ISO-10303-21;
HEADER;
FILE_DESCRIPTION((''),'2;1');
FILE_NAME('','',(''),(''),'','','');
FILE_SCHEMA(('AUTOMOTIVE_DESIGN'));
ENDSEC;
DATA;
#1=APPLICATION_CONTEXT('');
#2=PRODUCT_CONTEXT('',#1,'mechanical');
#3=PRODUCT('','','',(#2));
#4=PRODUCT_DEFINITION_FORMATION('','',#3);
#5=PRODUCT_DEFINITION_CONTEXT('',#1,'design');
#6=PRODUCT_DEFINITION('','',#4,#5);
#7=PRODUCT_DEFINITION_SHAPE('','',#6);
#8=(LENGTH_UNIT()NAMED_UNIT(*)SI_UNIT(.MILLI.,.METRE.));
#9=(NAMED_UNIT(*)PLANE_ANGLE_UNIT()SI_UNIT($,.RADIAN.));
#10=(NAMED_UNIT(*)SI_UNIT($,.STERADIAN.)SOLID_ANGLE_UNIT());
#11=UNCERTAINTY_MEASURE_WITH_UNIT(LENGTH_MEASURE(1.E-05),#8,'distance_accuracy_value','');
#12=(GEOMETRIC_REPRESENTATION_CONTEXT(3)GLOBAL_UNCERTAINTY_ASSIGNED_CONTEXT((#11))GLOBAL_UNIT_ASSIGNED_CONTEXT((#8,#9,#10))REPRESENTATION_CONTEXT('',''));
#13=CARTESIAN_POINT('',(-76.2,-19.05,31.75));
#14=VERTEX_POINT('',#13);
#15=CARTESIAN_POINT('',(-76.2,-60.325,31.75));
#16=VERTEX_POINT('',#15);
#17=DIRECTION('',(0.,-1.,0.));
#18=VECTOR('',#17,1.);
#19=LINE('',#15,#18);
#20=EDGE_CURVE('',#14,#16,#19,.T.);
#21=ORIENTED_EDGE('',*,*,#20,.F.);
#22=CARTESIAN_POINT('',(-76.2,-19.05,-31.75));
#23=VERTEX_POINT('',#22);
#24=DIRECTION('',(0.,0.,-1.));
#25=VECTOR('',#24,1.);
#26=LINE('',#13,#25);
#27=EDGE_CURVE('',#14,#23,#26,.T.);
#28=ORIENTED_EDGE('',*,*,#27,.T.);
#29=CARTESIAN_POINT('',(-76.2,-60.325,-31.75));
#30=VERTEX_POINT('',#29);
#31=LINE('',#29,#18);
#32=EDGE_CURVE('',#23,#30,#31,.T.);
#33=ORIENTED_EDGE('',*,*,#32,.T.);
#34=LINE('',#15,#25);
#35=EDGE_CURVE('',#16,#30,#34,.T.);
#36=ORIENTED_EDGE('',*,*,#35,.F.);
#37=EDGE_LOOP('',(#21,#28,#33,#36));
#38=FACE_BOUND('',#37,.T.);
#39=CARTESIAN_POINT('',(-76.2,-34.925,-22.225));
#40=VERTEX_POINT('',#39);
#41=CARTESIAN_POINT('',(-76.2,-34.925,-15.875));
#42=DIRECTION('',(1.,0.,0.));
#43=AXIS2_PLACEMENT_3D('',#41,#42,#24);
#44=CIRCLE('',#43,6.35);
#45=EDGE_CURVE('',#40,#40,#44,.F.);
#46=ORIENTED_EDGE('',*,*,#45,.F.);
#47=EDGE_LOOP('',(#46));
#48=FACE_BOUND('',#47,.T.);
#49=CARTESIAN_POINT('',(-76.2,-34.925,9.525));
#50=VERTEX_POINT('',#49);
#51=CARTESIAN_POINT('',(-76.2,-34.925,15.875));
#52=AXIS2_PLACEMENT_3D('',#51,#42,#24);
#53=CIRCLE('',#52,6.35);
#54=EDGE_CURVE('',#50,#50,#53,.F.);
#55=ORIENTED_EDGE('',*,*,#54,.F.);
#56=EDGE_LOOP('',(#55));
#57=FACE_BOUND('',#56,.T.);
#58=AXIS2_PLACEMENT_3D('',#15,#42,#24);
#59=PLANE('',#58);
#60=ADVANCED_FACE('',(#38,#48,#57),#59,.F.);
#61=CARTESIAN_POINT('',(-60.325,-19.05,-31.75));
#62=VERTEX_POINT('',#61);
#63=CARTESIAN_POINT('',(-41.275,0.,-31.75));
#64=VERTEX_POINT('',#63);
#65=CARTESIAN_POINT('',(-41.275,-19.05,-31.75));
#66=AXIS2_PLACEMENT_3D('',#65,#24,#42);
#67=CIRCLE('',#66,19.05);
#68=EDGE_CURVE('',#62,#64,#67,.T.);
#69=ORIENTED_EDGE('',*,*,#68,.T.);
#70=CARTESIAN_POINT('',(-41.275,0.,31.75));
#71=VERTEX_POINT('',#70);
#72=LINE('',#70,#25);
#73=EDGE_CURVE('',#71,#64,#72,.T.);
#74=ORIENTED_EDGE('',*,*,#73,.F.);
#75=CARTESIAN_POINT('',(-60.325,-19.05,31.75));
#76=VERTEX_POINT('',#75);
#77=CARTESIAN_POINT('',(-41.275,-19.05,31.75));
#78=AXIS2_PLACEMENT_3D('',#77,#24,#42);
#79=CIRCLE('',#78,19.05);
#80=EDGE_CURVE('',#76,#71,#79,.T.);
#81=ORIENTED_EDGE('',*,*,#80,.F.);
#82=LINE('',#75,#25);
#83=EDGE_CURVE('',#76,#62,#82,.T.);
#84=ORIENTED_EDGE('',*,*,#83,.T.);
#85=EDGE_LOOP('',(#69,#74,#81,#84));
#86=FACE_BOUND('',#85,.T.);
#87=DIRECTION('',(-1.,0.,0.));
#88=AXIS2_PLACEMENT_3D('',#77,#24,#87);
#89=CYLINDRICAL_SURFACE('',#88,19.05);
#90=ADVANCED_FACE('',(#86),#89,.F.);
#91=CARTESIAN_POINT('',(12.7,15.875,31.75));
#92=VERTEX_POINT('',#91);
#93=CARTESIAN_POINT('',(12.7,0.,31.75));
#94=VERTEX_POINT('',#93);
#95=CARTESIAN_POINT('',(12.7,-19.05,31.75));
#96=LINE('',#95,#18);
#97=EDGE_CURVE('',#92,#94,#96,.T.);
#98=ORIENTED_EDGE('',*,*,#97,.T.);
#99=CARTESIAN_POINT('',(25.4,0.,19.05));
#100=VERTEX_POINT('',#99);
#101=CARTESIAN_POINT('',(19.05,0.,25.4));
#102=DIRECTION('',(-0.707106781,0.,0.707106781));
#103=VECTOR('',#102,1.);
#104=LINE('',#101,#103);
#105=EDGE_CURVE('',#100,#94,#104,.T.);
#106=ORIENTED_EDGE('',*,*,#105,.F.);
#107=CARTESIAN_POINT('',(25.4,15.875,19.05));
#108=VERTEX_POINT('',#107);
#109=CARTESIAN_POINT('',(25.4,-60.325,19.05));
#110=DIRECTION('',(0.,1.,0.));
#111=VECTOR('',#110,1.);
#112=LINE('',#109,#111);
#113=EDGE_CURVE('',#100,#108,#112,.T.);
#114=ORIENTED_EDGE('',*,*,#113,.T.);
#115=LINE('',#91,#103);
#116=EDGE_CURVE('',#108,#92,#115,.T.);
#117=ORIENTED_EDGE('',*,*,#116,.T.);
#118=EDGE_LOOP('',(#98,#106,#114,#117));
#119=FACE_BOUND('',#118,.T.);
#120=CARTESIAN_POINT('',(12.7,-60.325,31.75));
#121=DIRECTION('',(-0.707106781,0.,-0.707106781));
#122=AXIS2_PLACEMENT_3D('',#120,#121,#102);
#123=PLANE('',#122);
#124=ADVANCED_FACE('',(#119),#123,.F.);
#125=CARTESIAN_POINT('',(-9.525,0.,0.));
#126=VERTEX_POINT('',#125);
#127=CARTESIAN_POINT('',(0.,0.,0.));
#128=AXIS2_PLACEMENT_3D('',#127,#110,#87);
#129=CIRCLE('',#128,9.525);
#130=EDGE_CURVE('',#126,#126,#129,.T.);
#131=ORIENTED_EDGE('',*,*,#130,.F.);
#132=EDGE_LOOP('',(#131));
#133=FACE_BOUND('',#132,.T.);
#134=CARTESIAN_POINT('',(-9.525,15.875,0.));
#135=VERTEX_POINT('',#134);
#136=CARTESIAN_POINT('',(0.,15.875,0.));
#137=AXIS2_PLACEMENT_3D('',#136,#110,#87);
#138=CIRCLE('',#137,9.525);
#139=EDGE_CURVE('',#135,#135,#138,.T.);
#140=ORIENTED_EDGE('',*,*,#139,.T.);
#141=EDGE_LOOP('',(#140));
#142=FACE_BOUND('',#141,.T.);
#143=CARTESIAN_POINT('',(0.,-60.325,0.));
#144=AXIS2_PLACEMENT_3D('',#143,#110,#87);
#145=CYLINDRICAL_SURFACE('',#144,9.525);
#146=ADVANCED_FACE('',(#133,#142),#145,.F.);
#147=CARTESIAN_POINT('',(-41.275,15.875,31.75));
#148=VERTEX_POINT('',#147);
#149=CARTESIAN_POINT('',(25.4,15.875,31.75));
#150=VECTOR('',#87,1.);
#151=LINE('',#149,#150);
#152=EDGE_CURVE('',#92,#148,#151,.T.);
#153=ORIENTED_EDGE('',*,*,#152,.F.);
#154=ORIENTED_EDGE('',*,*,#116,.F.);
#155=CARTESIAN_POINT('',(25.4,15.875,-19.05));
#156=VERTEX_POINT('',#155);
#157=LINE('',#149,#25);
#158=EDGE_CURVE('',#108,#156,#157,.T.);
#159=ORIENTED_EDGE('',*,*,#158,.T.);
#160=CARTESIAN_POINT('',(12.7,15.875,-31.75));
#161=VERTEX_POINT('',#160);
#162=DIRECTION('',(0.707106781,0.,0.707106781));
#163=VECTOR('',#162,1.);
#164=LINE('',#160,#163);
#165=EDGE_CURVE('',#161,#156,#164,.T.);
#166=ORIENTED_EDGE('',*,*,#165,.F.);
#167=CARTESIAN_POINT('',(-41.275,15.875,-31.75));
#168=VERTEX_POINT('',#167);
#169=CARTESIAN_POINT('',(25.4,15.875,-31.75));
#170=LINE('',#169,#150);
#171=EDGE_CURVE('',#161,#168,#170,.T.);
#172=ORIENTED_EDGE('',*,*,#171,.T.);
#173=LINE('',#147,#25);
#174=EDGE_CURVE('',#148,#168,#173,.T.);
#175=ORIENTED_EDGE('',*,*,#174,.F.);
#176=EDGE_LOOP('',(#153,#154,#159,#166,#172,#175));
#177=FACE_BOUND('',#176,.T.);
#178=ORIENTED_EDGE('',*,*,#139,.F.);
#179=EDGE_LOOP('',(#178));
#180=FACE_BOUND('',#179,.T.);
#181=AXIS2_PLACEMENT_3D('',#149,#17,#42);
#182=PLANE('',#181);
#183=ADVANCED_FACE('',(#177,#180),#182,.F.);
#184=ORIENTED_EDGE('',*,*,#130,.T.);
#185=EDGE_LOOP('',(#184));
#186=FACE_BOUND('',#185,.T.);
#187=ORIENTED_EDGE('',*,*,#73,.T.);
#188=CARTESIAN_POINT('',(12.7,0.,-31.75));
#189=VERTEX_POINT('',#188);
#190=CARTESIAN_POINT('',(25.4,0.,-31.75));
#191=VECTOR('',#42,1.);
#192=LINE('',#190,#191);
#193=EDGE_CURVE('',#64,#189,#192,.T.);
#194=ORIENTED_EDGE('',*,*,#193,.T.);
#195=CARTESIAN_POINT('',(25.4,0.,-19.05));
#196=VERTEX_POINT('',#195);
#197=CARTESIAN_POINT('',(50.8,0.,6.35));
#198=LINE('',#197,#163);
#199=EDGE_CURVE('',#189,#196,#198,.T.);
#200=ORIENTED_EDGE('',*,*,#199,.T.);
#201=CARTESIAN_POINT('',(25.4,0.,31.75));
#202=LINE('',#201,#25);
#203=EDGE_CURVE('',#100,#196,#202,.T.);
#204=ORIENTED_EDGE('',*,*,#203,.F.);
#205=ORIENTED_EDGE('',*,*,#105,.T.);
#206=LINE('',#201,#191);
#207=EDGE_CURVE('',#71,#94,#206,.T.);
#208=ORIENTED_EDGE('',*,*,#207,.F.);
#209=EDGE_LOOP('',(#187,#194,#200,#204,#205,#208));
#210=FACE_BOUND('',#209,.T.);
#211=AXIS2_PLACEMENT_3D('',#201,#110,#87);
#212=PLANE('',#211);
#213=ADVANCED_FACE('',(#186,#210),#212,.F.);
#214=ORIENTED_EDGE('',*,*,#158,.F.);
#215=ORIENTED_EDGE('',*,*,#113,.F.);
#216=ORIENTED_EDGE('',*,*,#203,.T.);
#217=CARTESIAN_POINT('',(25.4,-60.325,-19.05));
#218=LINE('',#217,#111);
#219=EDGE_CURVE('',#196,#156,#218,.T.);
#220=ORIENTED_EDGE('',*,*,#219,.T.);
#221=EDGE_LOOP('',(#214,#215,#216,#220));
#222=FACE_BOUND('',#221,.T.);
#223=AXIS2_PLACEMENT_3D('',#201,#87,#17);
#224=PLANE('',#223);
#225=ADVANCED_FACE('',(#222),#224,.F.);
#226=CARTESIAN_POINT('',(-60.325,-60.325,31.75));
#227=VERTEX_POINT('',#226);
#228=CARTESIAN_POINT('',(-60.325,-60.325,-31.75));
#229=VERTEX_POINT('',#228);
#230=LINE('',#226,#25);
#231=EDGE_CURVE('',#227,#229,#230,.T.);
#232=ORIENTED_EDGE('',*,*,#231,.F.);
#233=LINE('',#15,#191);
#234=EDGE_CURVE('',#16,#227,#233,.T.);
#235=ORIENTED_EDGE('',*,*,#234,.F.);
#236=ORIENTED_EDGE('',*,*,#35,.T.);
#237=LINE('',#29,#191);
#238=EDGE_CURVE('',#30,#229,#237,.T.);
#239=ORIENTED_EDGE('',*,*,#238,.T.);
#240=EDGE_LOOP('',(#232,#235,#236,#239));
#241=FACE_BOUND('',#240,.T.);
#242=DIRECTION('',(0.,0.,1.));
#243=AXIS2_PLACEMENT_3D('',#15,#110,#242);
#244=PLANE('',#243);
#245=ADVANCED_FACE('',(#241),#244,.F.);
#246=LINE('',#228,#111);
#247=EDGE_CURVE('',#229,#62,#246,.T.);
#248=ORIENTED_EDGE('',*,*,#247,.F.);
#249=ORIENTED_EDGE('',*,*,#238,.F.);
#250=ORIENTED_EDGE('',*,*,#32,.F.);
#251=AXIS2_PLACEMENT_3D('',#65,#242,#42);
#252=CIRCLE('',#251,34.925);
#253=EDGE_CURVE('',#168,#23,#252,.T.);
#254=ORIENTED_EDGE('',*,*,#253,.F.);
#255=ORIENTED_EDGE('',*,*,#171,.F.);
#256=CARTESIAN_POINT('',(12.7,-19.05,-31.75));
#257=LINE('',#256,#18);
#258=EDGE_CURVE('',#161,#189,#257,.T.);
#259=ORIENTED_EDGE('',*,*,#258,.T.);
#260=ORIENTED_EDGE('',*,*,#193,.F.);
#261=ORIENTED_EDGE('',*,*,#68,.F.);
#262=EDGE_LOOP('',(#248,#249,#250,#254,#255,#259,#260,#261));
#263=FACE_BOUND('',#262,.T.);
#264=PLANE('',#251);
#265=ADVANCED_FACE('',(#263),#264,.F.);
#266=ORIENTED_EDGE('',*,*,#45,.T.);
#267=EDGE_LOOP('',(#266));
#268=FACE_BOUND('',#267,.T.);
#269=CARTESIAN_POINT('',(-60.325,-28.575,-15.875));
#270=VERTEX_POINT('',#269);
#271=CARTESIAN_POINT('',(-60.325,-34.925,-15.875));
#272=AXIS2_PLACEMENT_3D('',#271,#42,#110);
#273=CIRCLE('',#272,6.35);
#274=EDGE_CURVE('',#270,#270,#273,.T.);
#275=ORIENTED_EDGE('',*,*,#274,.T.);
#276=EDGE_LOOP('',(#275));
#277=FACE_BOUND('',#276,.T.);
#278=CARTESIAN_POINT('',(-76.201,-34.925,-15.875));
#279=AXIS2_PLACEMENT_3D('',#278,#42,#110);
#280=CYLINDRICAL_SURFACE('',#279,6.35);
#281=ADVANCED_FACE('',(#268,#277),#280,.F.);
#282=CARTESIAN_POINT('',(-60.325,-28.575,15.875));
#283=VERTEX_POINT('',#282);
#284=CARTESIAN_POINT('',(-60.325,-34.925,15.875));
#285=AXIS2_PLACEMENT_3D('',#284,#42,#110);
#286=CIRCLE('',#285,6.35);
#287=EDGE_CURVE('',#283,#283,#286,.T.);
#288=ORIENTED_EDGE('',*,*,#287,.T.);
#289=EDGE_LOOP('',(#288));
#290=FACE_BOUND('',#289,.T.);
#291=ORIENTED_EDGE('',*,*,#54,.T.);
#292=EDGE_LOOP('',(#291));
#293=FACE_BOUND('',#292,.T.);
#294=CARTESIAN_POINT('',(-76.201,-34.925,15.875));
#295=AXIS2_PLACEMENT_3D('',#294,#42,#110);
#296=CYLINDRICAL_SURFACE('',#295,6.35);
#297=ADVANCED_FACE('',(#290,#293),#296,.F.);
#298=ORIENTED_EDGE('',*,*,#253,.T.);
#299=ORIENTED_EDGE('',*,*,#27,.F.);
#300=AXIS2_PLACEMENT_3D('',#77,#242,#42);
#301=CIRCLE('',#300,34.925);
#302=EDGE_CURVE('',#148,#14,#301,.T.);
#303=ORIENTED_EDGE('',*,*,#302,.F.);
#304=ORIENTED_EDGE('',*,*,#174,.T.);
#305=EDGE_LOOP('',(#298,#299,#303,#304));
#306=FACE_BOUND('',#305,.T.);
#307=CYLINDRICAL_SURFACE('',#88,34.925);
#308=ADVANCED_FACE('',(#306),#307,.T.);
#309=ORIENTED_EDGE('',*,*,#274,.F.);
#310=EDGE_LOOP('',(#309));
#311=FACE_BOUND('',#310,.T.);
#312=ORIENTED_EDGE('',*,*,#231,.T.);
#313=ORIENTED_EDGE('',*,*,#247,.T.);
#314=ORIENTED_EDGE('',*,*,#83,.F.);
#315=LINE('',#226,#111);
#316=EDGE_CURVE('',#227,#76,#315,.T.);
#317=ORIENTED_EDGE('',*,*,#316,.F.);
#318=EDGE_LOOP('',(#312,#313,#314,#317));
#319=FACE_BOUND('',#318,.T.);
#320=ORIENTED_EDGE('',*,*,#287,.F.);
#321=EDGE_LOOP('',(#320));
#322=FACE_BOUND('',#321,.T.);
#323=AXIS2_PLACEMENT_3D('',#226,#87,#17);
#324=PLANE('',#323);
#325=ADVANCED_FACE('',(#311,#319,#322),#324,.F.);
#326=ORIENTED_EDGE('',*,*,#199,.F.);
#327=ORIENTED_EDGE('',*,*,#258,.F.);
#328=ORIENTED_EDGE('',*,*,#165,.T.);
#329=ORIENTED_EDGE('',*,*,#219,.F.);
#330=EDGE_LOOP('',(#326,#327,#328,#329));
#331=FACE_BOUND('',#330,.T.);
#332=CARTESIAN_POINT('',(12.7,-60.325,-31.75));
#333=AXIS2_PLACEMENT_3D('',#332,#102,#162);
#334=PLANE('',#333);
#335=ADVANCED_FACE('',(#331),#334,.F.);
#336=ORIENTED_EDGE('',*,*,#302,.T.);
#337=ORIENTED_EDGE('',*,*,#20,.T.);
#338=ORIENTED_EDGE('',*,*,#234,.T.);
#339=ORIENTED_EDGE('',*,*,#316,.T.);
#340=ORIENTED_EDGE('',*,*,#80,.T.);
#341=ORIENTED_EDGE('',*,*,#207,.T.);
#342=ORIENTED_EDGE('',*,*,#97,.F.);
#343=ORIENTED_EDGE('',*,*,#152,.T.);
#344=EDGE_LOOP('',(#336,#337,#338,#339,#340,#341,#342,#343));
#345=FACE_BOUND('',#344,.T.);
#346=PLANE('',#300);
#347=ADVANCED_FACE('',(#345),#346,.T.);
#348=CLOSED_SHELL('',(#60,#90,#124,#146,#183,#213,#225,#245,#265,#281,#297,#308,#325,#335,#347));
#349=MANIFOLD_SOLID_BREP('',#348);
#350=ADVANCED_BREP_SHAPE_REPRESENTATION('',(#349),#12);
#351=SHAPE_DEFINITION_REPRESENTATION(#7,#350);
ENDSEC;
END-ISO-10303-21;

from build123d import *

# Parameters (mm, degrees)
HITCH_PROFILE_FOR_EXTRUSION_DEPTH = 31.75
SKETCH2_R                         = 9.525
BALL_ANCHOR_HOLE_DEPTH            = 77.2
F_45_DEG_CORNERS_DEPTH            = 77.2
BOLT_HOLE_X_2_REACH               = 17.875
SKETCH4_R                         = 6.35


with BuildPart() as part:
    # Sketch1 → Hitch Profile for Extrusion (new body, symmetric)
    with BuildSketch(Plane.XY):
        with BuildLine():
            Line((-76.2, -60.325), (-76.2, -19.05))
            ThreePointArc((-76.2, -19.05), (-65.970704333, 5.645704333), (-41.275, 15.875))
            Line((-41.275, 15.875), (25.4, 15.875))
            Line((25.4, 15.875), (25.4, 0))
            Line((25.4, 0), (-41.275, 0))
            ThreePointArc((-41.275, 0), (-54.745384182, -5.579615818), (-60.325, -19.05))
            Line((-60.325, -19.05), (-60.325, -60.325))
            Line((-60.325, -60.325), (-76.2, -60.325))
        make_face()
    extrude(amount=HITCH_PROFILE_FOR_EXTRUSION_DEPTH, both=True)

    # Sketch2 → Ball Anchor hole (cut, through all)
    with BuildSketch(Plane(origin=(0, 15.875, 0), x_dir=(1, 0, 0), z_dir=(0, 1, 0))):
        Circle(SKETCH2_R)
    extrude(amount=-BALL_ANCHOR_HOLE_DEPTH, mode=Mode.SUBTRACT)

    # Sketch3 → 45 Deg Corners (cut, through all)
    with BuildSketch(Plane(origin=(0, 15.875, 0), x_dir=(1, 0, 0), z_dir=(0, 1, 0))):
        Polygon((12.7, 31.75), (25.4, 19.05), (25.4, 31.75), align=None)
        Polygon((12.7, -31.75), (25.4, -19.05), (25.4, -31.75), align=None)
    extrude(amount=-F_45_DEG_CORNERS_DEPTH, mode=Mode.SUBTRACT)

    # Sketch4 → Bolt Hole x 2 (cut, up to next)
    with BuildSketch(Plane(origin=(-60.325, 0, 0), x_dir=(0, 0, -1), z_dir=(1, 0, 0)), mode=Mode.PRIVATE) as bolt_hole_x_2_sk1:
        with Locations((-15.875, -34.925)):
            Circle(SKETCH4_R)
    bolt_hole_x_2_tool1 = extrude(bolt_hole_x_2_sk1.sketch, amount=-BOLT_HOLE_X_2_REACH, mode=Mode.PRIVATE) & part.part
    add(bolt_hole_x_2_tool1.solids().sort_by_distance((-60.325, -34.925, 15.875))[0], mode=Mode.SUBTRACT)
    # Sketch4 → Bolt Hole x 2 (cut, up to next)
    with BuildSketch(Plane(origin=(-60.325, 0, 0), x_dir=(0, 0, -1), z_dir=(1, 0, 0)), mode=Mode.PRIVATE) as bolt_hole_x_2_sk2:
        with Locations((15.875, -34.925)):
            Circle(SKETCH4_R)
    bolt_hole_x_2_tool2 = extrude(bolt_hole_x_2_sk2.sketch, amount=-BOLT_HOLE_X_2_REACH, mode=Mode.PRIVATE) & part.part
    add(bolt_hole_x_2_tool2.solids().sort_by_distance((-60.325, -34.925, -15.875))[0], mode=Mode.SUBTRACT)


solid = part.part
